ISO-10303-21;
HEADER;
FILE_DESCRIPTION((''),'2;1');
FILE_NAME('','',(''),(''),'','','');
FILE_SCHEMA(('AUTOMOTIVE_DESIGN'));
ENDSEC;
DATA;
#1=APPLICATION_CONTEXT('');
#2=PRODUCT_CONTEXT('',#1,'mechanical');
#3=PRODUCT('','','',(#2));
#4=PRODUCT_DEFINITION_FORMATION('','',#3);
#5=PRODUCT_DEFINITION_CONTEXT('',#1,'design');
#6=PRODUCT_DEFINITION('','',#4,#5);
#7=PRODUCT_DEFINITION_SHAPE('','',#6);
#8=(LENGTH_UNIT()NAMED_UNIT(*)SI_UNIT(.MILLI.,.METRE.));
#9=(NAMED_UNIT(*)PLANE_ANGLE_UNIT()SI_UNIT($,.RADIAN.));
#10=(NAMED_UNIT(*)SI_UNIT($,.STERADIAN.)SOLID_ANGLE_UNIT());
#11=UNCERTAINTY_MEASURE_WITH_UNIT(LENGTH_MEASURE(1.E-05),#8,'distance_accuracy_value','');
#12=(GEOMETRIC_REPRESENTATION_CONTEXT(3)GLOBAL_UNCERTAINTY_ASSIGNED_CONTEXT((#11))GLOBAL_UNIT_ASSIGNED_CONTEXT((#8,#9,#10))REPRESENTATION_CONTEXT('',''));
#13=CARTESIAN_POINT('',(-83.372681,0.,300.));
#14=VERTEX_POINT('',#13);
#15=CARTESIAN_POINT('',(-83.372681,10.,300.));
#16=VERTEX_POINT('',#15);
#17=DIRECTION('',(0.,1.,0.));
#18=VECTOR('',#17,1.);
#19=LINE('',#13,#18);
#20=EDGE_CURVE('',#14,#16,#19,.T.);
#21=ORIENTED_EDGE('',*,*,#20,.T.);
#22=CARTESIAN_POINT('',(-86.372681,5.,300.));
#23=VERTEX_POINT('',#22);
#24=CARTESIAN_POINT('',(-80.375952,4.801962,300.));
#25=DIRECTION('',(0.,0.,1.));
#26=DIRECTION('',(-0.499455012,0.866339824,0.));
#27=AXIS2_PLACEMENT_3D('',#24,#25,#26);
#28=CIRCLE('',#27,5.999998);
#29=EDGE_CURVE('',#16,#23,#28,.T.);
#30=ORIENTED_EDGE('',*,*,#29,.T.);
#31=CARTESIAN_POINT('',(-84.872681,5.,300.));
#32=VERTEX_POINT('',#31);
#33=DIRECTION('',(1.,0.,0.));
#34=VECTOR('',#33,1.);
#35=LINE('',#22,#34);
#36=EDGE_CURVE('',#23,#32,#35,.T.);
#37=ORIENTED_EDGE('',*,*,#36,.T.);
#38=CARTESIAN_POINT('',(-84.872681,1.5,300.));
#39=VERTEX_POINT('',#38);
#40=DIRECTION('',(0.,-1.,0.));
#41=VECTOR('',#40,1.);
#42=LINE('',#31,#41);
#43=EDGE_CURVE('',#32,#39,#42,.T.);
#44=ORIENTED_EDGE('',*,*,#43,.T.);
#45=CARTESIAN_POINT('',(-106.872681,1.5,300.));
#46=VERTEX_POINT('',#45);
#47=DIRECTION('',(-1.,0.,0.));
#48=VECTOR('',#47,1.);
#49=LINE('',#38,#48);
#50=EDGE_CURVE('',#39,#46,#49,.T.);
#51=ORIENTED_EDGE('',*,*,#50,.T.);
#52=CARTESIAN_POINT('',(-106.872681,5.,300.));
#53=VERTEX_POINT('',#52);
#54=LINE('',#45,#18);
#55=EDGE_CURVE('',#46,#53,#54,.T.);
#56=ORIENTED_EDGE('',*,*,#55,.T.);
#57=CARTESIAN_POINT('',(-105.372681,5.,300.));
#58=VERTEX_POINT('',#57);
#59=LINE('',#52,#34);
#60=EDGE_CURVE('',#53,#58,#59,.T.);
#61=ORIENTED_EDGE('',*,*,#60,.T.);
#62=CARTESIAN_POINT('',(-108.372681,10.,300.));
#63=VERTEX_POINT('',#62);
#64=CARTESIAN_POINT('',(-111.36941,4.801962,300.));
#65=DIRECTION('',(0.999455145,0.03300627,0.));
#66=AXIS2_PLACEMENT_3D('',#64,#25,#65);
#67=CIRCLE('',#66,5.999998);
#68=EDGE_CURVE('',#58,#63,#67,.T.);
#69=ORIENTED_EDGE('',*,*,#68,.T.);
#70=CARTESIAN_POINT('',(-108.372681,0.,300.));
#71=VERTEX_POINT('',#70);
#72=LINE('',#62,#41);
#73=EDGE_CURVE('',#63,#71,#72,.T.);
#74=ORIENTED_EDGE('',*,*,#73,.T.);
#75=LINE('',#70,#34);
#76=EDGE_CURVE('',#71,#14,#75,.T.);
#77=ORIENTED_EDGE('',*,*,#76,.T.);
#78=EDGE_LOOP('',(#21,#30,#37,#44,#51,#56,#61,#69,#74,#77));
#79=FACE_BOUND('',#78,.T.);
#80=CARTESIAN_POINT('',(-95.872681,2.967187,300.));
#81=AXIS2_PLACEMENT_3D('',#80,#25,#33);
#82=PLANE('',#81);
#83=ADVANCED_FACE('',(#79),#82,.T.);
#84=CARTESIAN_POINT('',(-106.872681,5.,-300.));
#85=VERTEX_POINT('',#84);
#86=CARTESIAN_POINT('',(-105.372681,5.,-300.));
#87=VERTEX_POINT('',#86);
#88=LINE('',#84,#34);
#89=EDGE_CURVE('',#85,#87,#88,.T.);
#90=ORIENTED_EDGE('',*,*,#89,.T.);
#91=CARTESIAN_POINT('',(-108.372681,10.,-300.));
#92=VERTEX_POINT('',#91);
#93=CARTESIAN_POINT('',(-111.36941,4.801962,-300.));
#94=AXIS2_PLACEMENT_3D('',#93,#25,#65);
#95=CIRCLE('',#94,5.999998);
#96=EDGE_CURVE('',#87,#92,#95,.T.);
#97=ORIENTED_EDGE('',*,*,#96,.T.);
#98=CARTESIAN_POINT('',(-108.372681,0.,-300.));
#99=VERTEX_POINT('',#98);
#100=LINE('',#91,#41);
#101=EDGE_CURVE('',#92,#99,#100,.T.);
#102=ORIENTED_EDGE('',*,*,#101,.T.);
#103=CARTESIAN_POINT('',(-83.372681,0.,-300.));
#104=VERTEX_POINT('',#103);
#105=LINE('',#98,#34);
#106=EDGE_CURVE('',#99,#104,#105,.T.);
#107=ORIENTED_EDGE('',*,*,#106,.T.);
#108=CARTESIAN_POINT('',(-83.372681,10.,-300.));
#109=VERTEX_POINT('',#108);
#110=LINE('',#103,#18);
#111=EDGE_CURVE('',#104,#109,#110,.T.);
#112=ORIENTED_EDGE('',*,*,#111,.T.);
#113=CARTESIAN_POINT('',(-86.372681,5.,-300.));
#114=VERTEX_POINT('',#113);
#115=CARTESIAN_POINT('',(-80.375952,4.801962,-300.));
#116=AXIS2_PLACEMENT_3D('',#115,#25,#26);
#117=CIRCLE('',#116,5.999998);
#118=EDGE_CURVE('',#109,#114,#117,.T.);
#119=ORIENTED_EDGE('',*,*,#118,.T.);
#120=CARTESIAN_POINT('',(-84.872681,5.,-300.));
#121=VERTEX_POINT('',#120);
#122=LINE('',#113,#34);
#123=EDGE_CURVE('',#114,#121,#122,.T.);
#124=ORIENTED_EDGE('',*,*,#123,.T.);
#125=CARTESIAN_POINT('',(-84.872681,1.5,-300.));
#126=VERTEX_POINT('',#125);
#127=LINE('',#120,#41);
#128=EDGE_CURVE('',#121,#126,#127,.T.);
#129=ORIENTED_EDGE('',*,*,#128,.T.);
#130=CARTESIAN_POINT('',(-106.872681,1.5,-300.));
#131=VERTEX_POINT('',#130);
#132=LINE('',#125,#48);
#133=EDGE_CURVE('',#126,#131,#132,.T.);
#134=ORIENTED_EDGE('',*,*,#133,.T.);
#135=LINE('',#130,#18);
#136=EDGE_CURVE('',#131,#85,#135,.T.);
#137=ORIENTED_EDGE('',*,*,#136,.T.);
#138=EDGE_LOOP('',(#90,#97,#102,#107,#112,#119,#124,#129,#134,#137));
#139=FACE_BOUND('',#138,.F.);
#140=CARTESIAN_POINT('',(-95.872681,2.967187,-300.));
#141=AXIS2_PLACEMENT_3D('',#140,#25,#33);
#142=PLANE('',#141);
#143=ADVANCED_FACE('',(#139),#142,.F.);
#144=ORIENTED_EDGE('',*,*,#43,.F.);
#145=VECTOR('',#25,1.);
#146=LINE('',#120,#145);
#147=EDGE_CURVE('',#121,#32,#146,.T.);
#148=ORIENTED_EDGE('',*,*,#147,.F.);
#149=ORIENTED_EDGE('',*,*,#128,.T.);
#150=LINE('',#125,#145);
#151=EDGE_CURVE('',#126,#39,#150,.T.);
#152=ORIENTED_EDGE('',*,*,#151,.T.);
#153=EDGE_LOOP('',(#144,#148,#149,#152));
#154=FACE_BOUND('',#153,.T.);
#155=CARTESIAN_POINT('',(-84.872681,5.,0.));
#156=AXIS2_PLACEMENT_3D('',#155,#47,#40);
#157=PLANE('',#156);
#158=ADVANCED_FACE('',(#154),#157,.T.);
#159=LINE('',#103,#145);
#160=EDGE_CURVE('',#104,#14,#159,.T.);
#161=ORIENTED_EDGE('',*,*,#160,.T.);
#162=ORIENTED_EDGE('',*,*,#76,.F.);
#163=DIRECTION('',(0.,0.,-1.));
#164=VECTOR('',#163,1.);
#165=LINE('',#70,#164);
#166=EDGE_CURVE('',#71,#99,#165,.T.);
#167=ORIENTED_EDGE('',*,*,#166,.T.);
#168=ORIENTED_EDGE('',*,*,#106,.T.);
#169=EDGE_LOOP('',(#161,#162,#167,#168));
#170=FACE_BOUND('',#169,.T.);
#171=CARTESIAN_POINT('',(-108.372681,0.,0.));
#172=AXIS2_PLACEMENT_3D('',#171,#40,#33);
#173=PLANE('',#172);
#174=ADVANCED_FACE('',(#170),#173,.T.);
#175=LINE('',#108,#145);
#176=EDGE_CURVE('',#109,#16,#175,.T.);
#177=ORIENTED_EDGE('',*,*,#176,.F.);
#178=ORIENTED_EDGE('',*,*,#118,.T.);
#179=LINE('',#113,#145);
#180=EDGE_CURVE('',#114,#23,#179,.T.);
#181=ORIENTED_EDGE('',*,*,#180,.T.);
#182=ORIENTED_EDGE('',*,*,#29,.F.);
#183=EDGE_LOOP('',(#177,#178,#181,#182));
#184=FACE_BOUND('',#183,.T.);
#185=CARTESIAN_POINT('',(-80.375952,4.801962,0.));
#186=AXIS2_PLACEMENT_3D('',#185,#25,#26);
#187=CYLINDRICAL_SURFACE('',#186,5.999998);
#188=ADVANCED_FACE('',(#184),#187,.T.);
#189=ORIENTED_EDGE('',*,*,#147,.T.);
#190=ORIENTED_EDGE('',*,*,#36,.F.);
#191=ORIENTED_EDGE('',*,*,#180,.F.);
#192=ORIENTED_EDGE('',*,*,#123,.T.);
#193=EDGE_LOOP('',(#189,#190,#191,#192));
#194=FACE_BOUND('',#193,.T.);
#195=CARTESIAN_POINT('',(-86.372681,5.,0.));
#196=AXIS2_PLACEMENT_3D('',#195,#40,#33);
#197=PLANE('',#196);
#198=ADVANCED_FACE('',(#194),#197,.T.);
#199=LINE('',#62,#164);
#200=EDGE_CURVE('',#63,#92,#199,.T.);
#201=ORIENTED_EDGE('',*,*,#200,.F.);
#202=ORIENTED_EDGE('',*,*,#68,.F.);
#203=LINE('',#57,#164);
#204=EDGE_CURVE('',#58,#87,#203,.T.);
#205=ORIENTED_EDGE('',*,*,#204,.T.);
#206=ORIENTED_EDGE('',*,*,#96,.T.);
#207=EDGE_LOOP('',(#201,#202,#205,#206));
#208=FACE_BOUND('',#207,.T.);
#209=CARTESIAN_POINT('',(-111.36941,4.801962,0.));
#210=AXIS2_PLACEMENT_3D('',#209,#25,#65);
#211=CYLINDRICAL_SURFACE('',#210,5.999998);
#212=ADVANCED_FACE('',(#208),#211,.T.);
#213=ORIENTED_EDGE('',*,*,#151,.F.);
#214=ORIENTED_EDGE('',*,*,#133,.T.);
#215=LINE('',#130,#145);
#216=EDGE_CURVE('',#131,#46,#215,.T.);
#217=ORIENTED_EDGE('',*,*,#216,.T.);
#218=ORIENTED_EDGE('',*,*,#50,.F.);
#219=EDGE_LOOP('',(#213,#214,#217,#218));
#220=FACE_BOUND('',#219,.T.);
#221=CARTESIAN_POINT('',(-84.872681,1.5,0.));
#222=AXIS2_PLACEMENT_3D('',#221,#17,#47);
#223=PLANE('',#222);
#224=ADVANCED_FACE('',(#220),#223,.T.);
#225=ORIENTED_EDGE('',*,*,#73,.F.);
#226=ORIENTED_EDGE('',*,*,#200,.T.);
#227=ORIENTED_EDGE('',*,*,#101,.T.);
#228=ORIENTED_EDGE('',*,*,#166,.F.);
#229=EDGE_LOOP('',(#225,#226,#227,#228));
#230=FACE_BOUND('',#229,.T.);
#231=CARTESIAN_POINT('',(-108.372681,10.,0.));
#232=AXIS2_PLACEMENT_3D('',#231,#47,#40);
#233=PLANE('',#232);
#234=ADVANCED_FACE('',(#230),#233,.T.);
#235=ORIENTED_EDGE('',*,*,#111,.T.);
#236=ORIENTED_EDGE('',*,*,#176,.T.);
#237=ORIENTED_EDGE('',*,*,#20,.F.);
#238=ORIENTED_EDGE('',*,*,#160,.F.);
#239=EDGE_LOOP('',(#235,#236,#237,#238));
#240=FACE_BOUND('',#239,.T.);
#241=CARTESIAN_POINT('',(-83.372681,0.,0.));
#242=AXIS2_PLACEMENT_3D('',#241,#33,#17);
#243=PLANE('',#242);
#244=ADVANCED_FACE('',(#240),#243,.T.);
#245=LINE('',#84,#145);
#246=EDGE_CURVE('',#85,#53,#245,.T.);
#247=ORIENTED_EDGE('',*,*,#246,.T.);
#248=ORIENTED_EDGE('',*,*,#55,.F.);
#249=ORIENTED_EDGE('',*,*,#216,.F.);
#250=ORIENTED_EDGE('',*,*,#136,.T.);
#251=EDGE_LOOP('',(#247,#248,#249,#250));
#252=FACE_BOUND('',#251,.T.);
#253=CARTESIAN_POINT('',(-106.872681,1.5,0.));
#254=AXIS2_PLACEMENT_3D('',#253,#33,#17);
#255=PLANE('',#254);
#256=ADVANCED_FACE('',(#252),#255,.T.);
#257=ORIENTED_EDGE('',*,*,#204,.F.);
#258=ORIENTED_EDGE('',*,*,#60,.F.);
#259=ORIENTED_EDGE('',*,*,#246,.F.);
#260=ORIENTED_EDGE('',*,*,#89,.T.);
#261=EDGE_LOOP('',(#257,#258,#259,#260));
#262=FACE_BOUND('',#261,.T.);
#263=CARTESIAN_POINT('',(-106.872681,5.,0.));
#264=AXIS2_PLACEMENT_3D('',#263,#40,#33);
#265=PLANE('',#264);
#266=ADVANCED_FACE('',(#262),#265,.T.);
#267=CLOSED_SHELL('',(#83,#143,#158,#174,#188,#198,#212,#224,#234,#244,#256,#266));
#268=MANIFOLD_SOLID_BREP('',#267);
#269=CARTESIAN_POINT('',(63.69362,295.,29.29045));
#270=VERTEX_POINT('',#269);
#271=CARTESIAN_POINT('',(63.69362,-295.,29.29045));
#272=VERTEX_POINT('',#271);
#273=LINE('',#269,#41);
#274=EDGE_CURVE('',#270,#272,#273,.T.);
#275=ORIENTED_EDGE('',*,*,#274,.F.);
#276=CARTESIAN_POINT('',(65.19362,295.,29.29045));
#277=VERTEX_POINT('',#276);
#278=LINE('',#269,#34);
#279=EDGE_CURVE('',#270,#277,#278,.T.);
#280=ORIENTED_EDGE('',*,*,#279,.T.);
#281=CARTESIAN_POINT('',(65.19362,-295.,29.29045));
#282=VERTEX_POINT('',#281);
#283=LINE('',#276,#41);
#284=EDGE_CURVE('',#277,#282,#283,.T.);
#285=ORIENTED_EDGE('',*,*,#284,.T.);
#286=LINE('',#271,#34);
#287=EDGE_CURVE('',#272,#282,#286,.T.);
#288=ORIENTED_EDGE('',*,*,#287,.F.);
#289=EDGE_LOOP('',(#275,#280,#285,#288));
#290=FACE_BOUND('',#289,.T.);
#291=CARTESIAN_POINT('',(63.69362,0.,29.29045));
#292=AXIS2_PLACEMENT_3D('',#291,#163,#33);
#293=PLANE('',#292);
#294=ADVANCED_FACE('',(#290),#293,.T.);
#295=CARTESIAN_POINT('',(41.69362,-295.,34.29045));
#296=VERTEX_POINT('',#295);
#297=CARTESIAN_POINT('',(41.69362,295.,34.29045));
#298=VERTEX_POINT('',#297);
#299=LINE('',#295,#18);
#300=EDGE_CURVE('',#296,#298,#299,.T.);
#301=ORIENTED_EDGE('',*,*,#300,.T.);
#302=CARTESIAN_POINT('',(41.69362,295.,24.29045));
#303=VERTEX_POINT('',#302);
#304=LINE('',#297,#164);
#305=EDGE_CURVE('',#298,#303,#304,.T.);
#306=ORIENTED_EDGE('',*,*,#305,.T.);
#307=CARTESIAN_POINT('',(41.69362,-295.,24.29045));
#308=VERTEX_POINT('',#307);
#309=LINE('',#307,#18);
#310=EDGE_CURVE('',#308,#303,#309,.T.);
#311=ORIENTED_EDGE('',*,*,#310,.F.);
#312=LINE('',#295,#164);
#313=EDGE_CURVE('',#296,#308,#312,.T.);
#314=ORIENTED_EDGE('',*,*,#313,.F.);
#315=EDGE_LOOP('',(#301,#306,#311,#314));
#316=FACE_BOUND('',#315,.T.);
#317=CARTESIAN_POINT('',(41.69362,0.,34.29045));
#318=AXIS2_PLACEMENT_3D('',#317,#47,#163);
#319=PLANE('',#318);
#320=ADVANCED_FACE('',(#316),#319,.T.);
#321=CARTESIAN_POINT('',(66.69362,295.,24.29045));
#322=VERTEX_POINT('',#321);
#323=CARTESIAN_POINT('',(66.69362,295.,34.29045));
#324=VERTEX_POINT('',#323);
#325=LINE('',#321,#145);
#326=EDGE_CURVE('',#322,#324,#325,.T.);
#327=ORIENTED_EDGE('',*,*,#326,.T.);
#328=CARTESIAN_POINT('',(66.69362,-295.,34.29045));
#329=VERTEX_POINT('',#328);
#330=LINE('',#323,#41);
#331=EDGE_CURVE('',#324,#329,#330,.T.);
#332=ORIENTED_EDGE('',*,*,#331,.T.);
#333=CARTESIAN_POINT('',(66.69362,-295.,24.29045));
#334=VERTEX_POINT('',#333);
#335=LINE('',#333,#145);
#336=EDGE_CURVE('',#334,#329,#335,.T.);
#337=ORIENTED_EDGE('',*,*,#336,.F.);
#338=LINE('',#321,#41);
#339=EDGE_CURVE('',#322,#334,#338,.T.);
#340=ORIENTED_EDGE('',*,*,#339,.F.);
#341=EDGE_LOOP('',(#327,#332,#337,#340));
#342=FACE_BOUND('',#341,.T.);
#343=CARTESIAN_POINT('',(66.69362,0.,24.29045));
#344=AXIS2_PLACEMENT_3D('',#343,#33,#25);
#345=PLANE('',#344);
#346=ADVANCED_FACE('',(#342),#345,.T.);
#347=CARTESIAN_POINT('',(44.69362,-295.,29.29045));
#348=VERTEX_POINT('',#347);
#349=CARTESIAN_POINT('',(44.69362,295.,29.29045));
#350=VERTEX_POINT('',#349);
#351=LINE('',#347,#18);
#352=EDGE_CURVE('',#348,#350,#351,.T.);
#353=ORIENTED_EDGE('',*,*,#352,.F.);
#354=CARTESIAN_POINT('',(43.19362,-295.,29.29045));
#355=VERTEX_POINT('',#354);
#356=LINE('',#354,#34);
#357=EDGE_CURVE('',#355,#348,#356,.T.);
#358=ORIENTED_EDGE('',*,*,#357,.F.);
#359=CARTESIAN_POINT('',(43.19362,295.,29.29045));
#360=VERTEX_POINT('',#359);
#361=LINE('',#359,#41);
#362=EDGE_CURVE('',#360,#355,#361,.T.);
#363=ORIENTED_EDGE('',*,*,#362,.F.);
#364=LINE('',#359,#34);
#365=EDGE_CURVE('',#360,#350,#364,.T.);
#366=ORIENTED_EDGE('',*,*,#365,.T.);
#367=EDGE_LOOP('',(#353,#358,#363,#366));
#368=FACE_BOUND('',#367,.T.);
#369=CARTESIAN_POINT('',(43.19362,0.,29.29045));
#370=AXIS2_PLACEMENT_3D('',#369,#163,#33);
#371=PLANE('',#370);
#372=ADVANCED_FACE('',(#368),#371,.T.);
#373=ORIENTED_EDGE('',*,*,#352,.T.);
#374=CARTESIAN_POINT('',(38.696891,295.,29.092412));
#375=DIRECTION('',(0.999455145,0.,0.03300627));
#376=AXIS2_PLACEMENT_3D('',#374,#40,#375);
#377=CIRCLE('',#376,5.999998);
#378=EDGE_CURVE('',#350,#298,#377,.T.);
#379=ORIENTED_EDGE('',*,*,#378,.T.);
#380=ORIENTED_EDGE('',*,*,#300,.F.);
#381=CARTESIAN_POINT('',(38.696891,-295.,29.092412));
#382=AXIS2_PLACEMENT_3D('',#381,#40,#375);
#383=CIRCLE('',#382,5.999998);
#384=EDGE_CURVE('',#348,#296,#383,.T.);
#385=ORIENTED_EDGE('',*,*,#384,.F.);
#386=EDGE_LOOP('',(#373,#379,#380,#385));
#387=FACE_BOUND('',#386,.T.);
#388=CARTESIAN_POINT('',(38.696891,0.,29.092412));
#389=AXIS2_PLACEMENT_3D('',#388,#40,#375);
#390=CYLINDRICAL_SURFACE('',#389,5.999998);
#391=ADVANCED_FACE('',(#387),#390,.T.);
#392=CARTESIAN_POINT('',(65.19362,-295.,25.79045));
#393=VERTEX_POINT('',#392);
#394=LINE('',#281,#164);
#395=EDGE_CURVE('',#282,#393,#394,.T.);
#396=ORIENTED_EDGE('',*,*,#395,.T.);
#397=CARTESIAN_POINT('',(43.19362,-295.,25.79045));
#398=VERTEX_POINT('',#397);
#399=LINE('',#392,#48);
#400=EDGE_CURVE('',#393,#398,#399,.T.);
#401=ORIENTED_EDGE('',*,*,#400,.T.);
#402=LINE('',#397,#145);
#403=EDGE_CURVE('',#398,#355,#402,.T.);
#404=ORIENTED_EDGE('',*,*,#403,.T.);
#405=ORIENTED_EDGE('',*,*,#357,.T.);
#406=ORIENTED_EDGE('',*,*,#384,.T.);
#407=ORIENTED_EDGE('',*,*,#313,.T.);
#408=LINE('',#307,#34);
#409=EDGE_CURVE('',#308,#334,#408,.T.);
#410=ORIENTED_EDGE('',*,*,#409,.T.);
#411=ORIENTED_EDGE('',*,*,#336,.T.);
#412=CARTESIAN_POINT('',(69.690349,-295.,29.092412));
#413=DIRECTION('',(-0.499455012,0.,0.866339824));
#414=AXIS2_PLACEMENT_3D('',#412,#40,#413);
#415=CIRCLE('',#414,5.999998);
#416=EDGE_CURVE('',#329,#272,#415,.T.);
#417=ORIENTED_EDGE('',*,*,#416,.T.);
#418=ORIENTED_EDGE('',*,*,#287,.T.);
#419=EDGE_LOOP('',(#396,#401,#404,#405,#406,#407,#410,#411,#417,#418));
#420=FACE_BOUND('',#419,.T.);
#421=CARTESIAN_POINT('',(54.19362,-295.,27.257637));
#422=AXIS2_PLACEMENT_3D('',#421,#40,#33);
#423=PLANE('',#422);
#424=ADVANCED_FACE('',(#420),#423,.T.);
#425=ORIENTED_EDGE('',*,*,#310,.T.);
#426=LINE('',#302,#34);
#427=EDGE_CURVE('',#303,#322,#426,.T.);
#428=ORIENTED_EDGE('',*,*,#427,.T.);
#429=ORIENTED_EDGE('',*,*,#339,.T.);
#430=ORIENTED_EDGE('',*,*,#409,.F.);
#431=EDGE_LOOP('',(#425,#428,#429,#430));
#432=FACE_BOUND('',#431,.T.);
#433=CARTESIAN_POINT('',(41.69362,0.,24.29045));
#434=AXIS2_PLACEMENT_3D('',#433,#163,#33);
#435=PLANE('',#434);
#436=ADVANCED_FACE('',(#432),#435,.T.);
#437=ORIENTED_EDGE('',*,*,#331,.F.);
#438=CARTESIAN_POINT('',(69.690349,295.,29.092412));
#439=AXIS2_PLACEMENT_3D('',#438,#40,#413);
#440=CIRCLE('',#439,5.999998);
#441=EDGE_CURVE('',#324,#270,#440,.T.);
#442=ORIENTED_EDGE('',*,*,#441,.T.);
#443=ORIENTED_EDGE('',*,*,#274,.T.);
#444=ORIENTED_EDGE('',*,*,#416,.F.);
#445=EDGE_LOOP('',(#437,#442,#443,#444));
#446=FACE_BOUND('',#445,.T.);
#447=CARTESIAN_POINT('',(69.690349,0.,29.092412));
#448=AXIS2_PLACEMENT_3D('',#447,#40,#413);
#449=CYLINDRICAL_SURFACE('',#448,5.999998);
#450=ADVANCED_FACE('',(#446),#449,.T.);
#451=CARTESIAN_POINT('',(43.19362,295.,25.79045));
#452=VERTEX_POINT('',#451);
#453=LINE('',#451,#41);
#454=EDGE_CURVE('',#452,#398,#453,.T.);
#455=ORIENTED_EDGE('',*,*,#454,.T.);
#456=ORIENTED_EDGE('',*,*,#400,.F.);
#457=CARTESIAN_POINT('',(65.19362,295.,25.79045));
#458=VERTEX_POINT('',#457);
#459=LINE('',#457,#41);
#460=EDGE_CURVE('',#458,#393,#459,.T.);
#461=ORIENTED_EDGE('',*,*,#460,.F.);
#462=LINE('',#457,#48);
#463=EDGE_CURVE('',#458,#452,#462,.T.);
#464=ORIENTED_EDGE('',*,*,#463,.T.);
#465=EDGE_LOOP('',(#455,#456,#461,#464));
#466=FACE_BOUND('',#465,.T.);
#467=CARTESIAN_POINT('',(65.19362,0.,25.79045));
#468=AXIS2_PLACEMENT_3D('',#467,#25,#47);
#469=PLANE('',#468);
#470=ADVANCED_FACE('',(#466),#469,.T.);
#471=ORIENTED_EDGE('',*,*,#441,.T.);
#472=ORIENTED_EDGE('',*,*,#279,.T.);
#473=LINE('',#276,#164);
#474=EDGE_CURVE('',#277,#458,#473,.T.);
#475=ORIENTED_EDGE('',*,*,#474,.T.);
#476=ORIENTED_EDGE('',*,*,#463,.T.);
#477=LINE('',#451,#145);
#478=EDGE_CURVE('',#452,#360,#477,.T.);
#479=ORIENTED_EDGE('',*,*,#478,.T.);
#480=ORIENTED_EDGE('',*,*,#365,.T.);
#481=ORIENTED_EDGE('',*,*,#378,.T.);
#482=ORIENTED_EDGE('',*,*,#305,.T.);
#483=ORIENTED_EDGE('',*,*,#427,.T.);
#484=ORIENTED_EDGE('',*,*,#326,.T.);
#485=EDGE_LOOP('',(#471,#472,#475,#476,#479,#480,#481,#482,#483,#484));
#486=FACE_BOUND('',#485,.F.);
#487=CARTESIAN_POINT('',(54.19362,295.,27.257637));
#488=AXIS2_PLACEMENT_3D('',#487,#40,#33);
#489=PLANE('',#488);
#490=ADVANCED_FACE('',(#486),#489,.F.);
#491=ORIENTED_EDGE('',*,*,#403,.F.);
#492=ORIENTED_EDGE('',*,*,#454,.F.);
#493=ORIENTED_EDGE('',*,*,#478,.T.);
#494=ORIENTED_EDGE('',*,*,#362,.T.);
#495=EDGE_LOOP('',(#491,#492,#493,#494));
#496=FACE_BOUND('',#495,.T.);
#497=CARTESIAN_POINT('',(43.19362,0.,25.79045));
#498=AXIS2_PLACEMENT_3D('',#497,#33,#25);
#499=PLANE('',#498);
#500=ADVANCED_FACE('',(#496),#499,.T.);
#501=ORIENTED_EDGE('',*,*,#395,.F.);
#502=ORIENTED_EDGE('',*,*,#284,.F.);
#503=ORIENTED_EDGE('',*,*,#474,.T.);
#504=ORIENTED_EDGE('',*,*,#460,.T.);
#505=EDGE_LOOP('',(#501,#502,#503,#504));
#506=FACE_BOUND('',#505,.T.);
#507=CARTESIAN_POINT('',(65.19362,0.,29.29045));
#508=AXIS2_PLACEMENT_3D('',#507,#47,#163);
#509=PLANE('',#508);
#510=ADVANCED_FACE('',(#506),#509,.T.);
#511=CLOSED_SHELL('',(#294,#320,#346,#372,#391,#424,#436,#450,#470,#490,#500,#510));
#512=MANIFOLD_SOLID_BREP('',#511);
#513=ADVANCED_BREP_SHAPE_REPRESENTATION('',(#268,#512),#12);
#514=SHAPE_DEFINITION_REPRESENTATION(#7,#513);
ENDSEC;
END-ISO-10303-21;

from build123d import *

# Parameters (mm, degrees)
F1_DEPTH = 300
F3_DEPTH = 295


with BuildPart() as f1:
    # F0 (on Top) → F1 (new body, symmetric)
    with BuildSketch(Plane.XY):
        with BuildLine():
            Line((-108.372681, 0), (-95.872681, 0))
            Line((-95.872681, 0), (-83.372681, 0))
            Line((-83.372681, 0), (-83.372681, 9.5))
            Line((-83.372681, 9.5), (-83.372681, 10))
            ThreePointArc((-83.372681, 10), (-85.520908, 7.888936), (-86.372681, 5))
            Line((-86.372681, 5), (-85.872681, 5))
            Line((-85.872681, 5), (-84.872681, 5))
            Line((-84.872681, 5), (-84.872681, 1.5))
            Line((-84.872681, 1.5), (-95.872681, 1.5))
            Line((-95.872681, 1.5), (-106.872681, 1.5))
            Line((-106.872681, 1.5), (-106.872681, 5))
            Line((-106.872681, 5), (-105.872681, 5))
            Line((-105.872681, 5), (-105.372681, 5))
            ThreePointArc((-105.372681, 5), (-106.224454, 7.888936), (-108.372681, 10))
            Line((-108.372681, 10), (-108.372681, 9.5))
            Line((-108.372681, 9.5), (-108.372681, 0))
        make_face()
    extrude(amount=F1_DEPTH, both=True)


with BuildPart() as f3:
    # F2 (on Front) → F3 (new body, symmetric)
    with BuildSketch(Plane.XZ):
        with BuildLine():
            Line((41.69362, 24.29045), (54.19362, 24.29045))
            Line((54.19362, 24.29045), (66.69362, 24.29045))
            Line((66.69362, 24.29045), (66.69362, 33.79045))
            Line((66.69362, 33.79045), (66.69362, 34.29045))
            ThreePointArc((66.69362, 34.29045), (64.545393, 32.179386), (63.69362, 29.29045))
            Line((63.69362, 29.29045), (64.19362, 29.29045))
            Line((64.19362, 29.29045), (65.19362, 29.29045))
            Line((65.19362, 29.29045), (65.19362, 25.79045))
            Line((65.19362, 25.79045), (54.19362, 25.79045))
            Line((54.19362, 25.79045), (43.19362, 25.79045))
            Line((43.19362, 25.79045), (43.19362, 29.29045))
            Line((43.19362, 29.29045), (44.19362, 29.29045))
            Line((44.19362, 29.29045), (44.69362, 29.29045))
            ThreePointArc((44.69362, 29.29045), (43.841847, 32.179386), (41.69362, 34.29045))
            Line((41.69362, 34.29045), (41.69362, 33.79045))
            Line((41.69362, 33.79045), (41.69362, 24.29045))
        make_face()
    extrude(amount=F3_DEPTH, both=True)


solid = Compound([f1.part, f3.part])
